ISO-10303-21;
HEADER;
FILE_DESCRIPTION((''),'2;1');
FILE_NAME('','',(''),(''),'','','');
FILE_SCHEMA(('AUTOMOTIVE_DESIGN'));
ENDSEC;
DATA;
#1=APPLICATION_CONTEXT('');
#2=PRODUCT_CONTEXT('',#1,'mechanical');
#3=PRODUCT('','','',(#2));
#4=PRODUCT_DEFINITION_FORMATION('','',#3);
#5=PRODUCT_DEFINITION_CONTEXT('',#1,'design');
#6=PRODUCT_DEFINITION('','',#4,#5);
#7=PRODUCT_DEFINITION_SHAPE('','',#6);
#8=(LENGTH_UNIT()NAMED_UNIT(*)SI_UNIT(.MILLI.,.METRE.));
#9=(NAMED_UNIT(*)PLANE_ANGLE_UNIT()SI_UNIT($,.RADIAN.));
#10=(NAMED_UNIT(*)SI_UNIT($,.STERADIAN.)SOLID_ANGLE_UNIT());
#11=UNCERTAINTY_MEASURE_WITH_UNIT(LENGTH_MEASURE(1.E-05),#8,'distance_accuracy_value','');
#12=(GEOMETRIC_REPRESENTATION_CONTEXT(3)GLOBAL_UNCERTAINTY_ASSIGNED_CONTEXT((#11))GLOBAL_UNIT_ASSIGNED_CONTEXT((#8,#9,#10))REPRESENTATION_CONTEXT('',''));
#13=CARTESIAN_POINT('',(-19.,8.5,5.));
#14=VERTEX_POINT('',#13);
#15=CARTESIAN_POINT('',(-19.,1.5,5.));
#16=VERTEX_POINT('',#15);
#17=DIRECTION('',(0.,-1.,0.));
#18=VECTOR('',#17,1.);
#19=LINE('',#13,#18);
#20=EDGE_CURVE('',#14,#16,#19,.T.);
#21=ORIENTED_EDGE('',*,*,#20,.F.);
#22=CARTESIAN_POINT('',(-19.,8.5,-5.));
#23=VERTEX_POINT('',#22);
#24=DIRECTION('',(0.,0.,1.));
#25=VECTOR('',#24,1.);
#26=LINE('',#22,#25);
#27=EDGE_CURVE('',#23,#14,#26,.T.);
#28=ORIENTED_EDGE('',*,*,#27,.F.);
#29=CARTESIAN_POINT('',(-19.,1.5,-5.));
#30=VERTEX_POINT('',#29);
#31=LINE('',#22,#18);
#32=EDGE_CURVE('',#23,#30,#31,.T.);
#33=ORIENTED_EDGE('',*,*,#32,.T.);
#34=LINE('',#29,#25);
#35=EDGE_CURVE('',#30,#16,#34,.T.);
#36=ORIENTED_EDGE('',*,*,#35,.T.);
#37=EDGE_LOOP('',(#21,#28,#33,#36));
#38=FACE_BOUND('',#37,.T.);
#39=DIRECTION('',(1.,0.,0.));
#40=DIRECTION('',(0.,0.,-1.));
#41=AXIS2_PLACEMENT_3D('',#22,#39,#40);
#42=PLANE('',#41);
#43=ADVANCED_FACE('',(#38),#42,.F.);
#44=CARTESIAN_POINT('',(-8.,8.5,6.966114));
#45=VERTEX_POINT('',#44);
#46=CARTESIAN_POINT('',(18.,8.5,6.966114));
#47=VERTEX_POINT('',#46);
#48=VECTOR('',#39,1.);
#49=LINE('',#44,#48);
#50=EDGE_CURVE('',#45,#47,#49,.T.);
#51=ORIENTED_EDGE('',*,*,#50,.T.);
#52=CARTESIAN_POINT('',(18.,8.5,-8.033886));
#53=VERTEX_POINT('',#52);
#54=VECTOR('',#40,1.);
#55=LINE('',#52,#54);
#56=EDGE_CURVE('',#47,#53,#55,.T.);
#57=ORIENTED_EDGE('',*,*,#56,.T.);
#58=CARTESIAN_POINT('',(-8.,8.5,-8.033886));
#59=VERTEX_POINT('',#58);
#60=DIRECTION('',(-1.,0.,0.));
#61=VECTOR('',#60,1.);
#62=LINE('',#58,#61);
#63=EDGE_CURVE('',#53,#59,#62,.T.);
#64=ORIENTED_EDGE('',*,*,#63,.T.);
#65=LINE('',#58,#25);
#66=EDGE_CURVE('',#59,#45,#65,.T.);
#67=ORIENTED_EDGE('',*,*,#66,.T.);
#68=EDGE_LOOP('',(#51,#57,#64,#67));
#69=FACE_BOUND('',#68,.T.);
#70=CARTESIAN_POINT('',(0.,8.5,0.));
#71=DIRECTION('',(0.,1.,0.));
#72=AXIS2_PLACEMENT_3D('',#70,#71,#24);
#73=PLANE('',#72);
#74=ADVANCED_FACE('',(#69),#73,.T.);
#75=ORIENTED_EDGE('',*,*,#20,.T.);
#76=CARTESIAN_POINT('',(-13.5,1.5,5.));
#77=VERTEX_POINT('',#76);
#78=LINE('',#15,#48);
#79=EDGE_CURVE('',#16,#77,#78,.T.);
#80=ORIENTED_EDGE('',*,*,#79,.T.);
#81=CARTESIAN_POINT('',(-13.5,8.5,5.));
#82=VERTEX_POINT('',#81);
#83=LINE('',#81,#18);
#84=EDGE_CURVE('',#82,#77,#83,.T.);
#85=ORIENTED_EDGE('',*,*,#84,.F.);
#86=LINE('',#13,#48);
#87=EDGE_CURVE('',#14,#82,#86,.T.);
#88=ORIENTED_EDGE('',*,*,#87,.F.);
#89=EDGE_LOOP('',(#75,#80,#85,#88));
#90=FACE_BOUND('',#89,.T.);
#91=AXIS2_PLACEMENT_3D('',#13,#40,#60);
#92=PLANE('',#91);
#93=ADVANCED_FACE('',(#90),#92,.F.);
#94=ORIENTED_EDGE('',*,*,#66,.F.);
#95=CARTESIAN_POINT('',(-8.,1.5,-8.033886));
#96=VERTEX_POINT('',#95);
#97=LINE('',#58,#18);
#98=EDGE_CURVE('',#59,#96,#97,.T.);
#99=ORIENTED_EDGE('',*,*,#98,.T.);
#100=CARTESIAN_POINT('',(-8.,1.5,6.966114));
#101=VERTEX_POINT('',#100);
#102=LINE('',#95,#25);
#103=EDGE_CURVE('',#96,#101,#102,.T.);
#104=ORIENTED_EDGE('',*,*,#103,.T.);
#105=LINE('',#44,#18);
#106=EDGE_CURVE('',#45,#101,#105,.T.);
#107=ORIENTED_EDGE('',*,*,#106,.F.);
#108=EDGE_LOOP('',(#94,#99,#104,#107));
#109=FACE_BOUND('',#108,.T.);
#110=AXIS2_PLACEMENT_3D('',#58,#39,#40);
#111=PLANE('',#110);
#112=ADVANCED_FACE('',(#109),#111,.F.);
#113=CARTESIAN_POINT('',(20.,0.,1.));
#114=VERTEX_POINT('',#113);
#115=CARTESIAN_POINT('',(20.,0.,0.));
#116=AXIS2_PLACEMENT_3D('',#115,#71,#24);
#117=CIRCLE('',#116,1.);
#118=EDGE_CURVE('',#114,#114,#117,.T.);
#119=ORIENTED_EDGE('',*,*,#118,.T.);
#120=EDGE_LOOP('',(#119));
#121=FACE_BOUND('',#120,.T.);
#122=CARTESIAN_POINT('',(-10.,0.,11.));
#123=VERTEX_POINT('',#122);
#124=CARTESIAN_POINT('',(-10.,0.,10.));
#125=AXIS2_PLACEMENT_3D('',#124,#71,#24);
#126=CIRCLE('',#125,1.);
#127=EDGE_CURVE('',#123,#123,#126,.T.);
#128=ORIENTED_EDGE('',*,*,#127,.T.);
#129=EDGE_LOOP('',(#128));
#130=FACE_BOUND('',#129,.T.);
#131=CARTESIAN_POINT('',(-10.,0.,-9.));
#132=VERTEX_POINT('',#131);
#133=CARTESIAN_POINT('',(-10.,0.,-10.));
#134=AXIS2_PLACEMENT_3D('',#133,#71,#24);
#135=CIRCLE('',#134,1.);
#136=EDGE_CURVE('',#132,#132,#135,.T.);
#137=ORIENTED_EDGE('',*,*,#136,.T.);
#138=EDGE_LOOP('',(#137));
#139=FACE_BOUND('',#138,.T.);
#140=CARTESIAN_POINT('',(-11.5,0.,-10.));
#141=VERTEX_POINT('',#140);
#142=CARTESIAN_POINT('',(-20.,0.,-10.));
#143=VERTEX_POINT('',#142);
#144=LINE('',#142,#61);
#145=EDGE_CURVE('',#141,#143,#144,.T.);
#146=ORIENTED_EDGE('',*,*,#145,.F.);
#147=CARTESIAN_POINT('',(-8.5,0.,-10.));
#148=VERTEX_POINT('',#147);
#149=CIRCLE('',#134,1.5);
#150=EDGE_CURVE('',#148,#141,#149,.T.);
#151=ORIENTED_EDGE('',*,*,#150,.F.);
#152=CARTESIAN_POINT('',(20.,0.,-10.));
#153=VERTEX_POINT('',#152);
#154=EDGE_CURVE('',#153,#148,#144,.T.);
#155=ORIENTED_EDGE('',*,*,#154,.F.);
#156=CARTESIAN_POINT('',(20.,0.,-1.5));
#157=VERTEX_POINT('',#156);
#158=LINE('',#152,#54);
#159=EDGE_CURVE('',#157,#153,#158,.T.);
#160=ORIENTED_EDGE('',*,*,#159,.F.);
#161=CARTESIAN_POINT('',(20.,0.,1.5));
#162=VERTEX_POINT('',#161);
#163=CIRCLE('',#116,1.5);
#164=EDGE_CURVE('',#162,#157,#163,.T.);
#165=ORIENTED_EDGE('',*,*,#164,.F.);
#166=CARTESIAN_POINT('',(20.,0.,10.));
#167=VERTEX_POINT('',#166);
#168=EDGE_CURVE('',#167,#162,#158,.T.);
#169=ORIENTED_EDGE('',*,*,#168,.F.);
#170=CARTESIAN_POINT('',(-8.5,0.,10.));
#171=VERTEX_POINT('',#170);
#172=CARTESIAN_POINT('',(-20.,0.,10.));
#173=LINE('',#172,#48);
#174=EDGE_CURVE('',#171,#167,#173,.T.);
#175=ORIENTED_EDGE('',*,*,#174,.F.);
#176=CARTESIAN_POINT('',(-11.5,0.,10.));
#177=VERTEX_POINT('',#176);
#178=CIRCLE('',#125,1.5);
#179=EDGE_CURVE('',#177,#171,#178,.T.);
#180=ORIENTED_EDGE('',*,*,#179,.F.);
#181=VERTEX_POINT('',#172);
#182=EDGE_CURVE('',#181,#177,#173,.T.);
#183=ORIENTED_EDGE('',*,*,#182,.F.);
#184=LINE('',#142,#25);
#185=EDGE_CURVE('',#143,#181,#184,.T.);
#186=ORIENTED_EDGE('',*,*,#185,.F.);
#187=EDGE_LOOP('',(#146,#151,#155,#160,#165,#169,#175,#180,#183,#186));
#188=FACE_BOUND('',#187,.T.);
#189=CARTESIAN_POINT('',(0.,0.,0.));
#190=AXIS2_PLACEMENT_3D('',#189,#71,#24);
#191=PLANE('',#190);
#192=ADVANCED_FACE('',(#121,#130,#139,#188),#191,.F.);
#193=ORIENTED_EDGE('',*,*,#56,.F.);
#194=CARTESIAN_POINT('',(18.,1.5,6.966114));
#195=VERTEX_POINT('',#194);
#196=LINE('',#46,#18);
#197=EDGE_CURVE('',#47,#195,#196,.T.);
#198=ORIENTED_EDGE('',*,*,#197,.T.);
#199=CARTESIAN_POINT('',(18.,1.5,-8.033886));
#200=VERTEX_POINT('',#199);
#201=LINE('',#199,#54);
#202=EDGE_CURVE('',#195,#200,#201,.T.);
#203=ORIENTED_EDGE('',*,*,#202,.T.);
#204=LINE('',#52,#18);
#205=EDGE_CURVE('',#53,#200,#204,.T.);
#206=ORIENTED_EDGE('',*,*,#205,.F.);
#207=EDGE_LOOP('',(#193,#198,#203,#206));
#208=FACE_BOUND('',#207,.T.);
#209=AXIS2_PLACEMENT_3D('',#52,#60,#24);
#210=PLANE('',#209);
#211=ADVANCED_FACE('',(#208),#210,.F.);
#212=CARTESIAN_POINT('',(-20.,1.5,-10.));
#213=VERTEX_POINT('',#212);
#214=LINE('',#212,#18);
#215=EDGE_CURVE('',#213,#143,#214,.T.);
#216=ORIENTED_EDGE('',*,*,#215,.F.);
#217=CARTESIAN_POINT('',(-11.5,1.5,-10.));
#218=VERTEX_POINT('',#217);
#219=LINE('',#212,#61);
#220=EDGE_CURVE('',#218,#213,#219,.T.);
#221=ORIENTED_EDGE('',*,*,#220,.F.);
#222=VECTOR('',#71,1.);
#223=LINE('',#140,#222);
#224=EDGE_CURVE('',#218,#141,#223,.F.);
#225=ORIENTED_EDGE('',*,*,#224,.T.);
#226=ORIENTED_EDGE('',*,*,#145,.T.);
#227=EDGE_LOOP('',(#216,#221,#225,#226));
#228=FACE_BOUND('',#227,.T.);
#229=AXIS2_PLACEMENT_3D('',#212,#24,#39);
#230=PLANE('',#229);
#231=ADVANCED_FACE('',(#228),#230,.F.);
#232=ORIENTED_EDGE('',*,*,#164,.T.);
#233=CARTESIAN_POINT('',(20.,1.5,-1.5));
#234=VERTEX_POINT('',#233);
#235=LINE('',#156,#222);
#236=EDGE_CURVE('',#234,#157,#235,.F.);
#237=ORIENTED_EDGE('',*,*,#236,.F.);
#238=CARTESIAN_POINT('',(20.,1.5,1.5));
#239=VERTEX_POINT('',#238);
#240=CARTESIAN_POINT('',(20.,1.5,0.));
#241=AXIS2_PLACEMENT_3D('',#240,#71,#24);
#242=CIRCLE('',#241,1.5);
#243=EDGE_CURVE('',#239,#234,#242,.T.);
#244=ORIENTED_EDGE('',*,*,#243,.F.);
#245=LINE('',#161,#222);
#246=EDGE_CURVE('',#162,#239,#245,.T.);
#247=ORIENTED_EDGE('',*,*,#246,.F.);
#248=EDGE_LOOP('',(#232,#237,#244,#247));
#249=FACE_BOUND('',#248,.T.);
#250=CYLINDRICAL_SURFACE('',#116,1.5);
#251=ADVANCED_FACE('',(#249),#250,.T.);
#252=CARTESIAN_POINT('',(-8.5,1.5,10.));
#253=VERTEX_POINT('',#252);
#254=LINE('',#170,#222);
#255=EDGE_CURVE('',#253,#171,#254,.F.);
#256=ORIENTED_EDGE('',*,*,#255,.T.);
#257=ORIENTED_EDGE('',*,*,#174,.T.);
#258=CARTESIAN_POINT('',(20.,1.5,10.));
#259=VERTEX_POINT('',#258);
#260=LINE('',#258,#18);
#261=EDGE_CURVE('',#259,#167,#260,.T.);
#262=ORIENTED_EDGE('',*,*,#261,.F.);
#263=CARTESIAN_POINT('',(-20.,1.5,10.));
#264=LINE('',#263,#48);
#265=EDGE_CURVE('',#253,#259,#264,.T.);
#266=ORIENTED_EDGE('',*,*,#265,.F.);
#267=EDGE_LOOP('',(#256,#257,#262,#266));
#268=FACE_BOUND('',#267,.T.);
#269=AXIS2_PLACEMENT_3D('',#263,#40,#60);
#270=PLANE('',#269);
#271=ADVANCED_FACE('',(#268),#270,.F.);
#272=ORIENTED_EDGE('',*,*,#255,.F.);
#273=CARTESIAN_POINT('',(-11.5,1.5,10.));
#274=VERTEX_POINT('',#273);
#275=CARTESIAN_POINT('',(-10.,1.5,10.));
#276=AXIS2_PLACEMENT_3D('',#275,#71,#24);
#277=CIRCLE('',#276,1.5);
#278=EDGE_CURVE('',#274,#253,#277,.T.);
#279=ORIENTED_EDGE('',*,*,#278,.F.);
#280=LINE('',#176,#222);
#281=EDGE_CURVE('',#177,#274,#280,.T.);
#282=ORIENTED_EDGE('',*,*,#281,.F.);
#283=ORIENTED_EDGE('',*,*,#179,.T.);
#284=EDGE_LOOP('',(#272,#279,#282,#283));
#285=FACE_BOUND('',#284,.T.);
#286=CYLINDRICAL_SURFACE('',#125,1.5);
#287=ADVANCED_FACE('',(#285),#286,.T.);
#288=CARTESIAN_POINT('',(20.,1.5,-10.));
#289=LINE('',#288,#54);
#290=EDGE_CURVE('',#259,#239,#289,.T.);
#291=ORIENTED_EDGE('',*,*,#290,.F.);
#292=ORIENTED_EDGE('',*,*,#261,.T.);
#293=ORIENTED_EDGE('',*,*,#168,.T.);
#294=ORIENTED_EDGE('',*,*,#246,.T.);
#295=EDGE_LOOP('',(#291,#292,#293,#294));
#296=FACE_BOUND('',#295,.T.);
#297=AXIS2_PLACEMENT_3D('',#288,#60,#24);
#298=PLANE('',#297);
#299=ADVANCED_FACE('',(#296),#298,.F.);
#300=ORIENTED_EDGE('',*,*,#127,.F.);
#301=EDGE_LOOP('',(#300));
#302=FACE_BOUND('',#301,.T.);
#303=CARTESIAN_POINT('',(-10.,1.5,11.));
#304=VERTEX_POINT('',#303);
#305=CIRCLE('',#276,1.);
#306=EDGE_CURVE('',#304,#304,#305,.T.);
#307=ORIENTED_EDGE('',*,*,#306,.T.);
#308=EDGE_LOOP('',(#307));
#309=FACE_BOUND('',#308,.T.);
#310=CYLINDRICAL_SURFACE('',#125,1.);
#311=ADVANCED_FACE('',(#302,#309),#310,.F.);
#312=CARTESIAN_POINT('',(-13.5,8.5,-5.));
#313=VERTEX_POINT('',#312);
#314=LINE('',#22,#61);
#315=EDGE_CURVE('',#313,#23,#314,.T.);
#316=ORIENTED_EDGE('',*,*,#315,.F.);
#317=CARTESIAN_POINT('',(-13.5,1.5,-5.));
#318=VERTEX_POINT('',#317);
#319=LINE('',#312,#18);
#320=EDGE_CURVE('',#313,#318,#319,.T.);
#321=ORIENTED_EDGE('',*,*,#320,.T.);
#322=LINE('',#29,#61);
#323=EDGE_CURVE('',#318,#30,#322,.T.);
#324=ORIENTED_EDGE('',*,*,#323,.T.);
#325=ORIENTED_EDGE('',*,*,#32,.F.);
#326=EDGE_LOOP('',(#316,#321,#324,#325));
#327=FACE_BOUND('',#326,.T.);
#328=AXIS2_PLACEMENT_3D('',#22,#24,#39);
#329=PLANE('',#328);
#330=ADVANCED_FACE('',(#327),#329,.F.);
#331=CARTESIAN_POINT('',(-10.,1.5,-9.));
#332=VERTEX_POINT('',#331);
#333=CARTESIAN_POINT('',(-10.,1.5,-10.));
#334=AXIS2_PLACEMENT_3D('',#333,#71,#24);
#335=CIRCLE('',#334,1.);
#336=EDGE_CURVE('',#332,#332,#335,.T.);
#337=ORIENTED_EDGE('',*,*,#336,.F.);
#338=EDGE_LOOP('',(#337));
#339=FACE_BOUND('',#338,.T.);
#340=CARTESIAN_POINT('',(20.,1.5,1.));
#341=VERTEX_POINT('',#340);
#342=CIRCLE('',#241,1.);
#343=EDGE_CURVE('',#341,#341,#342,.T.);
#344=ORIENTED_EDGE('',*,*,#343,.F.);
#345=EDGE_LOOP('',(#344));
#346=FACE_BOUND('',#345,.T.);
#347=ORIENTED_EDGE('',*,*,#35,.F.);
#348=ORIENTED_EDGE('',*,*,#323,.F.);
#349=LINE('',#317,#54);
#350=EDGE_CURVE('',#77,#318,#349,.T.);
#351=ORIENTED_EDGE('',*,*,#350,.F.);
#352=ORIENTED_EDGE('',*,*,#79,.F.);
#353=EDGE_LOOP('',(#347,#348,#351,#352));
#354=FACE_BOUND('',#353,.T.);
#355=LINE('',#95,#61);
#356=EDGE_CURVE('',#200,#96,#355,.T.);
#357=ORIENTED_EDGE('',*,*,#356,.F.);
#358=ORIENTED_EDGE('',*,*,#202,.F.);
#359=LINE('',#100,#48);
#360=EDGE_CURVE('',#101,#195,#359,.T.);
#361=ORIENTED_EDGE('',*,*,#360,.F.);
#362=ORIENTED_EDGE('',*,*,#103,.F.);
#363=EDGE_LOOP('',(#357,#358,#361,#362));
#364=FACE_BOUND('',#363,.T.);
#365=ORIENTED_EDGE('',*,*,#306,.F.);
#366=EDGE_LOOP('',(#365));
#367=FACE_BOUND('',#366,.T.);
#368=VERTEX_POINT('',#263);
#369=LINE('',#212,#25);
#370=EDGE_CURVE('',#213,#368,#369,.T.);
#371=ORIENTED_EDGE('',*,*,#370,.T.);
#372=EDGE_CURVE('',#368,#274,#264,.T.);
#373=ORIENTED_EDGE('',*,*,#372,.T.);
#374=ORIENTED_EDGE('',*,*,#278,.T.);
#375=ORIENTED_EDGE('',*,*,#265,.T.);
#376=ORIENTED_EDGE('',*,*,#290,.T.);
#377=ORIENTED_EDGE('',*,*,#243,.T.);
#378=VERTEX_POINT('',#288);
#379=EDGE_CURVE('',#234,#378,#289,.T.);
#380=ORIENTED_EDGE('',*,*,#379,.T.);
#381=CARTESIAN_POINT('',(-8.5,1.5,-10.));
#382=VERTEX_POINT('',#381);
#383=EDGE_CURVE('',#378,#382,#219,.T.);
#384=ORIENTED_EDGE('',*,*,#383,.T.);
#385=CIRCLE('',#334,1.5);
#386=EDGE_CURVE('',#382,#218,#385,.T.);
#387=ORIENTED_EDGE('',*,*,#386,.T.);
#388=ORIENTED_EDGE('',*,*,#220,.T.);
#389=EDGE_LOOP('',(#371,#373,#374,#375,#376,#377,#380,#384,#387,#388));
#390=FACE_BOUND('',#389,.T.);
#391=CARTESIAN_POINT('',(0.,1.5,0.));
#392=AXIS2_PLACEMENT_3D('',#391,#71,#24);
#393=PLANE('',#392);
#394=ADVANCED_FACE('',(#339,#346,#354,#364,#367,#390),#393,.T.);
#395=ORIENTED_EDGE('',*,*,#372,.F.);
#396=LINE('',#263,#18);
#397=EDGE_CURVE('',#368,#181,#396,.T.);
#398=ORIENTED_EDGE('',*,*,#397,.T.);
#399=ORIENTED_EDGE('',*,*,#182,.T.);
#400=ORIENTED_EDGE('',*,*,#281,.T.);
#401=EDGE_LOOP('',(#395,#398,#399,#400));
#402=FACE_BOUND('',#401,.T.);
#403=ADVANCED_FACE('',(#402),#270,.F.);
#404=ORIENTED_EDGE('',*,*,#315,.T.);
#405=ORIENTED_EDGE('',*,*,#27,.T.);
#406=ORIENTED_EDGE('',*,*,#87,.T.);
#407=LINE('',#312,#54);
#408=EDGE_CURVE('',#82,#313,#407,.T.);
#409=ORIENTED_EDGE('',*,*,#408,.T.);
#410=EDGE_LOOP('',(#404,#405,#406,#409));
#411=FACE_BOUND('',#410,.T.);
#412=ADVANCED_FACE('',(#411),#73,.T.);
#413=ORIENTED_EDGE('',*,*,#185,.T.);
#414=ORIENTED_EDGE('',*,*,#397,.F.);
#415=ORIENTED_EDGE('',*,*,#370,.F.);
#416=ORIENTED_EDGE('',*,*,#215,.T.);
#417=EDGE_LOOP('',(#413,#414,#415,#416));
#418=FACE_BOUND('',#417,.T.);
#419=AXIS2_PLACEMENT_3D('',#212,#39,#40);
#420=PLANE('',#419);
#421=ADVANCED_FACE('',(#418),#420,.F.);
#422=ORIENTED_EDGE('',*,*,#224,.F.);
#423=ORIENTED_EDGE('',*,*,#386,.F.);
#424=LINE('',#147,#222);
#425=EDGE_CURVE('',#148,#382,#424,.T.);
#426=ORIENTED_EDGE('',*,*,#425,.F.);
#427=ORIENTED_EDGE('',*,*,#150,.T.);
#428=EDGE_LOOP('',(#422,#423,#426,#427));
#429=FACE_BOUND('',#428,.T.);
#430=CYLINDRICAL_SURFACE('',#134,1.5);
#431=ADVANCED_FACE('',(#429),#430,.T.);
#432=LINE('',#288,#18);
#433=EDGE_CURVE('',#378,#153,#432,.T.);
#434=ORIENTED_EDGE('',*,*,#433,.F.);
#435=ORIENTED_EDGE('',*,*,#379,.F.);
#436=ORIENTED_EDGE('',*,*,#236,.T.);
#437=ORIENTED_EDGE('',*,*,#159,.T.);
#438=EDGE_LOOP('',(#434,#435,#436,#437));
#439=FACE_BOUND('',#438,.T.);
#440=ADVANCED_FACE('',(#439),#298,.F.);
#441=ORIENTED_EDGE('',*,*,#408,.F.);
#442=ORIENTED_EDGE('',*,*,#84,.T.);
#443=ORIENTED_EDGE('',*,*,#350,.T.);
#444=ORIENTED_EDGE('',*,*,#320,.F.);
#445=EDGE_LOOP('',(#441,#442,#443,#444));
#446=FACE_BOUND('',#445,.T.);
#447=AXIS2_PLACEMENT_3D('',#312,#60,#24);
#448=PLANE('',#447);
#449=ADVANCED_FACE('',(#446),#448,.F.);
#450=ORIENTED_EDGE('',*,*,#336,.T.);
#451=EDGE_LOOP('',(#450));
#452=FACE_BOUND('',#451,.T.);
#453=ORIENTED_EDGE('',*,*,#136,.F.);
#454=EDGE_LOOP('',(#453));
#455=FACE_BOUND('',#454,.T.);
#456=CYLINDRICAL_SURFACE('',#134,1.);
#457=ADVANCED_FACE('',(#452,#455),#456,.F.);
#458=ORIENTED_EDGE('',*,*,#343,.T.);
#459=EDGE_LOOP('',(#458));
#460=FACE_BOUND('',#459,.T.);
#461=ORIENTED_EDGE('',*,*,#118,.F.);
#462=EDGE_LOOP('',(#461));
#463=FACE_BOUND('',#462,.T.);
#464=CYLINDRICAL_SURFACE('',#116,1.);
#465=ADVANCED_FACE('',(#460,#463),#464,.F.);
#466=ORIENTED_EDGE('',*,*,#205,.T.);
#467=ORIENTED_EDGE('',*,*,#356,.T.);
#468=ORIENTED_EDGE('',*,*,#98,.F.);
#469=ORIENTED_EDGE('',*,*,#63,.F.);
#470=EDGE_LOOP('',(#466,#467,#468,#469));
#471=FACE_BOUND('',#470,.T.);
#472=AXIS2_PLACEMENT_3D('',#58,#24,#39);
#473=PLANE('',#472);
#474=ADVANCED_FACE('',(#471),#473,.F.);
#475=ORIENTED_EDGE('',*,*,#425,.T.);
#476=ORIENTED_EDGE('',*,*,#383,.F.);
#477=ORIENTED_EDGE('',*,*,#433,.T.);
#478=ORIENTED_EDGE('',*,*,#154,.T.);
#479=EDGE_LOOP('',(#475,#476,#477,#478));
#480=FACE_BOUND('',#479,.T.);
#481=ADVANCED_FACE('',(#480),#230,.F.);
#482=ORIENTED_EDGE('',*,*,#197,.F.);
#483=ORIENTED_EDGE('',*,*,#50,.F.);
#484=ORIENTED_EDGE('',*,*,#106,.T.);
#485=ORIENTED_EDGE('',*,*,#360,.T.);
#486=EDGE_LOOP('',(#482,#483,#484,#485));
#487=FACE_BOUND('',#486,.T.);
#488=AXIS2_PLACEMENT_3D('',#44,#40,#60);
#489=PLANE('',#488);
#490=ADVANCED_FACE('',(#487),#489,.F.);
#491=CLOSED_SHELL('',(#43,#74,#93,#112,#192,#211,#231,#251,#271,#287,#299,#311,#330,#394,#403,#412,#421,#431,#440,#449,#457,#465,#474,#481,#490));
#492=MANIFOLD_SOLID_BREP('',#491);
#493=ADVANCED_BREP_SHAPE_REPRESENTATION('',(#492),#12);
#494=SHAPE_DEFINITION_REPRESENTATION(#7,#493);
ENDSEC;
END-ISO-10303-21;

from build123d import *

# Parameters (mm, degrees)
SKETCH1_W           = 40
SKETCH1_H           = 20
BOSS_EXTRUDE1_DEPTH = 1.5
SKETCH2_R           = 1.5
BOSS_EXTRUDE3_DEPTH = 1.5
SKETCH3_R           = 1
CUT_EXTRUDE1_DEPTH  = 1.5
SKETCH4_W           = 5.5
SKETCH4_H           = 10
BOSS_EXTRUDE4_DEPTH = 7
SKETCH5_W           = 26
SKETCH5_H           = 15
BOSS_EXTRUDE5_DEPTH = 7


with BuildPart() as part:
    # Sketch1 → Boss-Extrude1 (new body)
    with BuildSketch(Plane(origin=(0, 0, 0), x_dir=(1, 0, 0), z_dir=(0, 1, 0))):
        Rectangle(SKETCH1_W, SKETCH1_H)
    extrude(amount=BOSS_EXTRUDE1_DEPTH)

    # Sketch2 → Boss-Extrude3 (add)
    with BuildSketch(Plane(origin=(0, 1.5, 0), x_dir=(1, 0, 0), z_dir=(0, 1, 0))):
        with Locations((-10, 10)):
            Circle(SKETCH2_R)
        with Locations((-10, -10)):
            Circle(SKETCH2_R)
        with Locations((20, 0)):
            Circle(SKETCH2_R)
    extrude(amount=-BOSS_EXTRUDE3_DEPTH)

    # Sketch3 → Cut-Extrude1 (cut)
    with BuildSketch(Plane(origin=(0, 1.5, 0), x_dir=(1, 0, 0), z_dir=(0, 1, 0))):
        with Locations((-10, -10)):
            Circle(SKETCH3_R)
        with Locations((20, 0)):
            Circle(SKETCH3_R)
        with Locations((-10, 10)):
            Circle(SKETCH3_R)
    extrude(amount=-CUT_EXTRUDE1_DEPTH, mode=Mode.SUBTRACT)

    # Sketch4 → Boss-Extrude4 (add)
    with BuildSketch(Plane(origin=(0, 1.5, 0), x_dir=(1, 0, 0), z_dir=(0, 1, 0))):
        with Locations((-16.25, 0)):
            Rectangle(SKETCH4_W, SKETCH4_H)
    extrude(amount=BOSS_EXTRUDE4_DEPTH)

    # Sketch5 → Boss-Extrude5 (add)
    with BuildSketch(Plane(origin=(0, 1.5, 0), x_dir=(1, 0, 0), z_dir=(0, 1, 0))):
        with Locations((5, 0.53388581)):
            Rectangle(SKETCH5_W, SKETCH5_H)
    extrude(amount=BOSS_EXTRUDE5_DEPTH)


solid = part.part
